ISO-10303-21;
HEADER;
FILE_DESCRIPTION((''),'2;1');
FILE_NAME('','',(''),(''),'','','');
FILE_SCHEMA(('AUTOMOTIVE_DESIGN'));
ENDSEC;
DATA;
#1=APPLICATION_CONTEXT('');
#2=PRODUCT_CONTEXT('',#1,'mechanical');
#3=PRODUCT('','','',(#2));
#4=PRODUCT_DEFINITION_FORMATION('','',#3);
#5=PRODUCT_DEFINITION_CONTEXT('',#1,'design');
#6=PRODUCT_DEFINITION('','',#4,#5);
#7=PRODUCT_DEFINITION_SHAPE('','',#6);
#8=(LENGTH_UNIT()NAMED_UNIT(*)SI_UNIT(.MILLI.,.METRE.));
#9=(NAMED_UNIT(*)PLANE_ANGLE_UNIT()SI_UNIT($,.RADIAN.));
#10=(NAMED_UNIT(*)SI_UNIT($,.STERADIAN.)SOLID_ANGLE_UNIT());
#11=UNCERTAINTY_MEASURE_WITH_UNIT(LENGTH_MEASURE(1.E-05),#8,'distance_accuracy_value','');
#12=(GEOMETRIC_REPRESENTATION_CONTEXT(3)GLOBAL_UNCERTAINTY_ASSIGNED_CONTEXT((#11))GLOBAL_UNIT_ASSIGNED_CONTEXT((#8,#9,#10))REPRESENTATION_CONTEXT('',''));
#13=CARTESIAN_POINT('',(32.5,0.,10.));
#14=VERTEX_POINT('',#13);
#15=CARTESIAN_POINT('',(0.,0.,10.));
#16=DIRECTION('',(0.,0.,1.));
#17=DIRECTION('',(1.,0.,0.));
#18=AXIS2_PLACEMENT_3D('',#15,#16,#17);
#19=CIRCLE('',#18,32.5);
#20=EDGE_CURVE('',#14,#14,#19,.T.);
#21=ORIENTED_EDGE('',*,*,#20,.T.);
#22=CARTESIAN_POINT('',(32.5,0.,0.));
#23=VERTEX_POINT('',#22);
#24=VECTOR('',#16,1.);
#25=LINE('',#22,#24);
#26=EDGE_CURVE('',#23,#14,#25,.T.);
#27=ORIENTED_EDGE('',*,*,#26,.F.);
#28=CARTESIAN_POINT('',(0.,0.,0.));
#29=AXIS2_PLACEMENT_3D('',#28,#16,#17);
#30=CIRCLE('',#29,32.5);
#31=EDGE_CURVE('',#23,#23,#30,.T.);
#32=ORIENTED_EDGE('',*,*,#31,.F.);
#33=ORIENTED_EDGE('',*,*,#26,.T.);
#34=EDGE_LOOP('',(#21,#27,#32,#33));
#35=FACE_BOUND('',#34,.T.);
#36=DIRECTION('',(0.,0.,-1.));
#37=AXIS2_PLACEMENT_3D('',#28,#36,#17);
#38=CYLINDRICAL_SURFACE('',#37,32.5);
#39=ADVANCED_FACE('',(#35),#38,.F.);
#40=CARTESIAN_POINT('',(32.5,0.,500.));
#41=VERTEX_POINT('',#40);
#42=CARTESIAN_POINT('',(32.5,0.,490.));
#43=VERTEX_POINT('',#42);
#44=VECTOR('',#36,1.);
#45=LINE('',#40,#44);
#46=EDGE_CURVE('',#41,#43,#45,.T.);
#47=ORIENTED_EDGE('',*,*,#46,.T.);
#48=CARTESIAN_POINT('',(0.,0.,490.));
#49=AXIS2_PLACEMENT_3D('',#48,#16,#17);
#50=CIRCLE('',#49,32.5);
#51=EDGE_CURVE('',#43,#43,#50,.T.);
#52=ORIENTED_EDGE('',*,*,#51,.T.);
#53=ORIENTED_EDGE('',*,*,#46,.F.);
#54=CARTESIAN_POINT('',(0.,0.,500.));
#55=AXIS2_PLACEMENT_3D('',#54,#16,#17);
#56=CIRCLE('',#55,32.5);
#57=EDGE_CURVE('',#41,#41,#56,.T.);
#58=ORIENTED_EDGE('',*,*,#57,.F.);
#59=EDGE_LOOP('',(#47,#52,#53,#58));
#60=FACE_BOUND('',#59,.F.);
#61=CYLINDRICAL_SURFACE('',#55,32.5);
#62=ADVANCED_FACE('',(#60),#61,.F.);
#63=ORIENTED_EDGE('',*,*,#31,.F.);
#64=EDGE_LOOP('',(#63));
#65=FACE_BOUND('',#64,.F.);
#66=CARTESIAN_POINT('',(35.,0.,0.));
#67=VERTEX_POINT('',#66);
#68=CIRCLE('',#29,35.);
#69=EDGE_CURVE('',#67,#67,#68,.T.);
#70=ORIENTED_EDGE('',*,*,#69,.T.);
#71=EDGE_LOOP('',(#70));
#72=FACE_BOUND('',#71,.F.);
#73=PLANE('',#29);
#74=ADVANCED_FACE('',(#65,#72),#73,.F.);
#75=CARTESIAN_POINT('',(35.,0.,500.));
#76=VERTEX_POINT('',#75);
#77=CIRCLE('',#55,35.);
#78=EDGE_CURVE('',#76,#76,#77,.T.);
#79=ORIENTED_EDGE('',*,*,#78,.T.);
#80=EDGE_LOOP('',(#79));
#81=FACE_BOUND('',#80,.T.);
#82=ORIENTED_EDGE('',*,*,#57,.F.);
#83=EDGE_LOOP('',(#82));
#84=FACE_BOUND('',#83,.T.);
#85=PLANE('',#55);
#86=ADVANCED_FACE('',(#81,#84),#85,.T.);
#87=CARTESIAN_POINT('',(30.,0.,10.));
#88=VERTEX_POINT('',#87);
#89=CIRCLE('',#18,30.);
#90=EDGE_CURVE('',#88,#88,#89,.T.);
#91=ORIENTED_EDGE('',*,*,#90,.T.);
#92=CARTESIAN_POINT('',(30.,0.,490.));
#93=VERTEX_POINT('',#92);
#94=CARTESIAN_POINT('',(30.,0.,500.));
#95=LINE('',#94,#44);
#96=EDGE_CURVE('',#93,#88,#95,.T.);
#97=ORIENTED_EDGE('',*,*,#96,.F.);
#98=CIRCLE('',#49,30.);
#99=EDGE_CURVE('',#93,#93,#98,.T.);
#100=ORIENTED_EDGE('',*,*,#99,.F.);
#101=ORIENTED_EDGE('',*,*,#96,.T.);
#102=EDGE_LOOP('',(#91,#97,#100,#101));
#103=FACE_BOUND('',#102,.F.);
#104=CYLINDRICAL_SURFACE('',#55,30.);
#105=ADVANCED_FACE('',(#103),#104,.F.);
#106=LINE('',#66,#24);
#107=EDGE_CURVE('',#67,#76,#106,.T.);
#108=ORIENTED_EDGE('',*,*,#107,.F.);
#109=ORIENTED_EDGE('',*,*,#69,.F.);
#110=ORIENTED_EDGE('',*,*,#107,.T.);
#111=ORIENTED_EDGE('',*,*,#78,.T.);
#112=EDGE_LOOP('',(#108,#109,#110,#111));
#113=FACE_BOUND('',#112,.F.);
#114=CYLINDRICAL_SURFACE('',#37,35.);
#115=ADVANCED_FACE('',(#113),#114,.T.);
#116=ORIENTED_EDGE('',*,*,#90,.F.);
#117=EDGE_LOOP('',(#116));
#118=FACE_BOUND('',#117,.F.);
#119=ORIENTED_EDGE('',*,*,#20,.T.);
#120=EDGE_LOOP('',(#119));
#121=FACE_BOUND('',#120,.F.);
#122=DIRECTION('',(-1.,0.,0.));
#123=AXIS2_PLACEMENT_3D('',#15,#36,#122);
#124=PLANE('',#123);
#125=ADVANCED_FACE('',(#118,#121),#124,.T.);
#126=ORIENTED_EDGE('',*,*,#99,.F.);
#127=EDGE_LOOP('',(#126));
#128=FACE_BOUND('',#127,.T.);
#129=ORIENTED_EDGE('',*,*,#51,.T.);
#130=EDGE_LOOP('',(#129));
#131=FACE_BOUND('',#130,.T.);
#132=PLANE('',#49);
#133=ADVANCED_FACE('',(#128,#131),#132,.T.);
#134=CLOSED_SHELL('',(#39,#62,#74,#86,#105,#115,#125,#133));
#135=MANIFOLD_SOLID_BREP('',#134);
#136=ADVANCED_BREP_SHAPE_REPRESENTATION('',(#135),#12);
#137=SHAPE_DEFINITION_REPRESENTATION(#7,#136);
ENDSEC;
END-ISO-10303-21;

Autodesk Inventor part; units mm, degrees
ref_plane "YZ Plane" through (0, 0, 0) normal (1, 0, 0) x (0, 1, 0)
ref_plane "XZ Plane" through (0, 0, 0) normal (0, 1, 0) x (-1, 0, 0)
sketch "Sketch1" plane through (0, 0, 0) normal (0, 0, 1) x (1, 0, 0)
  circle A0 centre (0, 0) radius 35
  dimension "d0" = 70
extrude "Extrusion1" add sketch "Sketch1" along normal blind 500
sketch "Sketch2" plane through (0, 0, 500) normal (0, 0, 1) x (1, 0, 0)
  circle A0 centre (0, 0) radius 30
  dimension "d3" = 60
extrude "Extrusion2" cut sketch "Sketch2" against normal blind 500
sketch "Sketch3" plane through (0, 0, 500) normal (0, 0, 1) x (1, 0, 0)
  circle A0 centre (0, 0) radius 32.5
  dimension "d6" = 65
extrude "Extrusion3" cut sketch "Sketch3" against normal blind 10
ref_plane "Work Plane2" through (0, 0, 250) normal (0, 0, 1) x (1, 0, 0)
mirror "Mirror2" about plane through (0, 0, 250) normal (0, 0, 1) of "Extrusion3"
properties part number "project rolller 1 part2"
